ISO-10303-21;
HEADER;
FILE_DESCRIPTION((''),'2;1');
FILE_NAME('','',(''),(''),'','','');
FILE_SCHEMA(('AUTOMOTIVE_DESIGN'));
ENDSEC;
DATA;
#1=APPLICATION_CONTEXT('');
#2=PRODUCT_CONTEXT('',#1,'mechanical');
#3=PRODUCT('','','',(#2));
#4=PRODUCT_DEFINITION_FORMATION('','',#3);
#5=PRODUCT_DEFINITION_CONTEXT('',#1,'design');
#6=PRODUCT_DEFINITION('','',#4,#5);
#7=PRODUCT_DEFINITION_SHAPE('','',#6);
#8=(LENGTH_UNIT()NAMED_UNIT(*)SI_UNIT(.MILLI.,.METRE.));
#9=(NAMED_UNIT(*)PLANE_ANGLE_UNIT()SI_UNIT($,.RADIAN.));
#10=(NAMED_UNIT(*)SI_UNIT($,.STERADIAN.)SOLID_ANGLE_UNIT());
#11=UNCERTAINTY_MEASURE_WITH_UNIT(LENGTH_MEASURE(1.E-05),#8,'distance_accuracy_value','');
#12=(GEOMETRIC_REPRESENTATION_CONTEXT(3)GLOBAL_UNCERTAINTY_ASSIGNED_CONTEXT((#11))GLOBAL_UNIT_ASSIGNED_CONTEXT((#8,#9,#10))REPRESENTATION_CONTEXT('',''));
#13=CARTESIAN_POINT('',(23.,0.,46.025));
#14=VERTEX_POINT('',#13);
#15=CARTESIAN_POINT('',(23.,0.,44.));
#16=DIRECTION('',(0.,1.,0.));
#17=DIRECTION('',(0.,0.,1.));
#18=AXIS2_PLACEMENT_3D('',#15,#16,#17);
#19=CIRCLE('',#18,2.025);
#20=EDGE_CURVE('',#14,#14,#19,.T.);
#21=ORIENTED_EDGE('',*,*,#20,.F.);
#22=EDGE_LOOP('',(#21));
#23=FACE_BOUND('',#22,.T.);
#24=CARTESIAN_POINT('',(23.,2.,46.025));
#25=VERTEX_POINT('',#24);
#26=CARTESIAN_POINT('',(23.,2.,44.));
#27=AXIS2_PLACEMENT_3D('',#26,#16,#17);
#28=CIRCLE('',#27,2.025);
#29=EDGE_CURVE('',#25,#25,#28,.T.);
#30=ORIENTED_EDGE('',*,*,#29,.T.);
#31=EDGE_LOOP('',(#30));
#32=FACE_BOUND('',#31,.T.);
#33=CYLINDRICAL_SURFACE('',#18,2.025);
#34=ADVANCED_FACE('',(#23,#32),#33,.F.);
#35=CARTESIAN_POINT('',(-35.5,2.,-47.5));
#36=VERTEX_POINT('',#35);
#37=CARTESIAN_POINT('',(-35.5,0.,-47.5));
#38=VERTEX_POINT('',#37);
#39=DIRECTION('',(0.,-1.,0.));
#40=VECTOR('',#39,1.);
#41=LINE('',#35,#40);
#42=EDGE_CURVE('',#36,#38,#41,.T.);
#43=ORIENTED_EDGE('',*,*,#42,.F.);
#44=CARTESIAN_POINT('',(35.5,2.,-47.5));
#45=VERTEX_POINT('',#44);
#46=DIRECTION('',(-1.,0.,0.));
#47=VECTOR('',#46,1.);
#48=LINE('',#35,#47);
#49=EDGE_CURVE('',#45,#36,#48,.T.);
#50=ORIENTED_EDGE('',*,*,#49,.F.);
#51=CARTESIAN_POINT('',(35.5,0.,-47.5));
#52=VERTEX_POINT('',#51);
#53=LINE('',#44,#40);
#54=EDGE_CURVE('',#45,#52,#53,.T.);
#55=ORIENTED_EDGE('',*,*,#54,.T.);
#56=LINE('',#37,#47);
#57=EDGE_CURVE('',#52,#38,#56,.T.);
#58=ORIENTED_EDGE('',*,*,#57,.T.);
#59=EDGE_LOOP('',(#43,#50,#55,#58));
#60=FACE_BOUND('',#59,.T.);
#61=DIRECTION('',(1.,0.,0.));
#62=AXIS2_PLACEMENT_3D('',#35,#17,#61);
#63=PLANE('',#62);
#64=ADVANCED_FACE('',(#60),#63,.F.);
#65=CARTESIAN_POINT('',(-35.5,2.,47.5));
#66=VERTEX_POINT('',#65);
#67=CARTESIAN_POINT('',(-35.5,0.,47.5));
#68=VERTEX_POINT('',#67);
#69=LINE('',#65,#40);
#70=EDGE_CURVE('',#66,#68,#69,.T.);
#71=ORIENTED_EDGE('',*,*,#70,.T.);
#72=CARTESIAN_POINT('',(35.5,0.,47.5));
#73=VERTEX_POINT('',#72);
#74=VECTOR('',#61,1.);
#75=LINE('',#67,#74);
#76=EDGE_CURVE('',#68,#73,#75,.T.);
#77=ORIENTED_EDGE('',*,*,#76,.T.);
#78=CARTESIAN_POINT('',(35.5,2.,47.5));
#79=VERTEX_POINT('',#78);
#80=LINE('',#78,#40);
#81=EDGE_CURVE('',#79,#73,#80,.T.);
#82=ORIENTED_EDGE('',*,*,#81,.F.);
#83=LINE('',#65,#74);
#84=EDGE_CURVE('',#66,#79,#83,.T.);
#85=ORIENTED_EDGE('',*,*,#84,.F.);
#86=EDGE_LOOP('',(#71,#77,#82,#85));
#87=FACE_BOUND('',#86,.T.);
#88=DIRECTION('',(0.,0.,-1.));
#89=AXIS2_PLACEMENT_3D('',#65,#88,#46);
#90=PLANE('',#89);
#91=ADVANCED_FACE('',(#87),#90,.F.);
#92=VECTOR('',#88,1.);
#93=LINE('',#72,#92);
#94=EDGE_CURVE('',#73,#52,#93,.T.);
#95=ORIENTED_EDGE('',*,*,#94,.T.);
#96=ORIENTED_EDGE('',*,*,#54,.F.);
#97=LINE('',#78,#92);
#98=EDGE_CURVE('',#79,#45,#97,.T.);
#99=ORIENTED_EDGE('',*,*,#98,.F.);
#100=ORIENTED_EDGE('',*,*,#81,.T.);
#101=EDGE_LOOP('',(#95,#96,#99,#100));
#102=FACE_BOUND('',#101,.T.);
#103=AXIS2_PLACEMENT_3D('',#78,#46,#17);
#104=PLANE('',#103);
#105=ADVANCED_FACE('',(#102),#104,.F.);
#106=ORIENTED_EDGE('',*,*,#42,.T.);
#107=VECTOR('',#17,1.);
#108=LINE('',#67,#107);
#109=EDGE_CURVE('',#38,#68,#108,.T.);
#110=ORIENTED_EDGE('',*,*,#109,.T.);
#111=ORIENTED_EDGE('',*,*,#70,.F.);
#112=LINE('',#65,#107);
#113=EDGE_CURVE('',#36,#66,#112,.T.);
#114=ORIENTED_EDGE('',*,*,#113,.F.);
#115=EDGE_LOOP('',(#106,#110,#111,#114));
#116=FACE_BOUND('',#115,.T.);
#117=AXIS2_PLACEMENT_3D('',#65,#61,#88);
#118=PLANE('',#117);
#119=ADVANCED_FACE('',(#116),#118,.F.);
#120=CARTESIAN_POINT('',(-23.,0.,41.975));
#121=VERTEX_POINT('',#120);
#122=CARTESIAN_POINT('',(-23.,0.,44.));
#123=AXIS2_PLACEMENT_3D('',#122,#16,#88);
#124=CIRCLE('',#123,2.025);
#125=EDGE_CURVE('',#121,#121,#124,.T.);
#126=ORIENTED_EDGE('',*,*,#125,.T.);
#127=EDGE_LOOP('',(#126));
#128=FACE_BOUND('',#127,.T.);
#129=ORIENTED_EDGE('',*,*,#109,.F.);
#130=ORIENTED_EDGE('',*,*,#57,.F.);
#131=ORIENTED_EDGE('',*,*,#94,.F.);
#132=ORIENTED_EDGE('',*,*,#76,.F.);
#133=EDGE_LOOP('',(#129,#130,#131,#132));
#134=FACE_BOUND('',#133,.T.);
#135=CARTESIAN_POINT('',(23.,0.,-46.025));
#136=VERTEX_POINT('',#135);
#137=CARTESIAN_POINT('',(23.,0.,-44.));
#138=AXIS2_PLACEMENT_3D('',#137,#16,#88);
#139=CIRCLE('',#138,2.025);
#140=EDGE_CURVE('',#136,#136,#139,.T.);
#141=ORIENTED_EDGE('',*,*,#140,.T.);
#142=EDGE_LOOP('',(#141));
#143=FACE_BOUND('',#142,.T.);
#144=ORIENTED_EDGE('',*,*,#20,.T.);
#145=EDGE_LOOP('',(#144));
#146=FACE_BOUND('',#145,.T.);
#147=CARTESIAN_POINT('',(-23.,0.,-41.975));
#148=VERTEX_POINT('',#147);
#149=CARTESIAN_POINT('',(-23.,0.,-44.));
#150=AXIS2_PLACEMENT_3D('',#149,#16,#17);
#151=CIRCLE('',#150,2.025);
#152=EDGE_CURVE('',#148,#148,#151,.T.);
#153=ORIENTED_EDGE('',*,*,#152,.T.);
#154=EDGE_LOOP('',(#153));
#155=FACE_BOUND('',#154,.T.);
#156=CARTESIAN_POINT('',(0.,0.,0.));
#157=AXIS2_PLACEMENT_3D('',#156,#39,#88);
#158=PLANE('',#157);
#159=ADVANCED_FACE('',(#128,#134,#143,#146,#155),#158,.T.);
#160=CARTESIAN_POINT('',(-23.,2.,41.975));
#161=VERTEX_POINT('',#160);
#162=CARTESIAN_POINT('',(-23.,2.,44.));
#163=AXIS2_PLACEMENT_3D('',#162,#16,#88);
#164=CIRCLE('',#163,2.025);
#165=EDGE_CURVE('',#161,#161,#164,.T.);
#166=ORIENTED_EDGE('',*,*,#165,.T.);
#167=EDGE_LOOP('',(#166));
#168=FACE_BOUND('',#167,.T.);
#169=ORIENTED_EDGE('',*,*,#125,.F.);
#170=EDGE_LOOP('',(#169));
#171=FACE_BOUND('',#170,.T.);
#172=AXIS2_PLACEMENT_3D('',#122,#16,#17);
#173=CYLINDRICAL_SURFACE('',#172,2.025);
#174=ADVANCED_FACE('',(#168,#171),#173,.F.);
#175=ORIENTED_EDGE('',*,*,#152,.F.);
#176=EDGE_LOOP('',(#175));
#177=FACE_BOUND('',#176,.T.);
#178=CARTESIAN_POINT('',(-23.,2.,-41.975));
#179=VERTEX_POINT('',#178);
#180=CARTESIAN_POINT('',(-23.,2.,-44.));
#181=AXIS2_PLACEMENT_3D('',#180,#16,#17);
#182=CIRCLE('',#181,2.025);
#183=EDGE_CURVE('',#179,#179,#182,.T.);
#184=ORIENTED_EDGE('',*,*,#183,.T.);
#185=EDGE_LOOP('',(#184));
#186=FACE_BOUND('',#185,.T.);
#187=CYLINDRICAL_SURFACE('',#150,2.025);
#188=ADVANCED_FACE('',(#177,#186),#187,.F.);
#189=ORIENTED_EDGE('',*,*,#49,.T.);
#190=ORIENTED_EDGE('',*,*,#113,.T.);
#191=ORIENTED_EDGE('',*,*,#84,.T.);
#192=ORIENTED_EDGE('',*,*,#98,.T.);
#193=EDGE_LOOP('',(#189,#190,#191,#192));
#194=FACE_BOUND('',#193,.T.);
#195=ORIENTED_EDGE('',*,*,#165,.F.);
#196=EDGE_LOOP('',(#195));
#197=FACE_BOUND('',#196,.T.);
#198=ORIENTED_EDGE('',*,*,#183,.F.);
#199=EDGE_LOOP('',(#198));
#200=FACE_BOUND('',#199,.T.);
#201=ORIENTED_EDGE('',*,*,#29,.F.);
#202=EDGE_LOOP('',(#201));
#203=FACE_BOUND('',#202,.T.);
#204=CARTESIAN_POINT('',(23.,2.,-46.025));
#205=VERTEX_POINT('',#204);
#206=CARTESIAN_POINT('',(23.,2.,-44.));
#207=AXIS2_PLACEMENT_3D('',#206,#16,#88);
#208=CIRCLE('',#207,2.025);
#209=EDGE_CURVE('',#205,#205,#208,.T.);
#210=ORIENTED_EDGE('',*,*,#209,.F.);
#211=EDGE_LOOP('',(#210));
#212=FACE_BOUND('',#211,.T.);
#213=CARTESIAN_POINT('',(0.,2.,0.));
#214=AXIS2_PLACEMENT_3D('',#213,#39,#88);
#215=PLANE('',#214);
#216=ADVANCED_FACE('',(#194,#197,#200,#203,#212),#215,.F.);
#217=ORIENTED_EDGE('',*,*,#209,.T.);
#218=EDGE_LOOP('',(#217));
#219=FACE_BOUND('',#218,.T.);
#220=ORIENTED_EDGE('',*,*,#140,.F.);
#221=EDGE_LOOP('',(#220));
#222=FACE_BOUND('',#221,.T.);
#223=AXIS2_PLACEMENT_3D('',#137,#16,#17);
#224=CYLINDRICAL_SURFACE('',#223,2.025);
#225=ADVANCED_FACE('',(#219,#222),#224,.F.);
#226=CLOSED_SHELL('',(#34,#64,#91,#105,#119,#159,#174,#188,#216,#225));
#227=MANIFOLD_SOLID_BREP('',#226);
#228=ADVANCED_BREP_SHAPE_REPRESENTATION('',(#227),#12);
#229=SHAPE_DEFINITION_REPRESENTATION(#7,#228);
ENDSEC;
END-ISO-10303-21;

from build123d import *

# Parameters (mm, degrees)
SKETCH1_W           = 71
SKETCH1_H           = 95
BOSS_EXTRUDE1_DEPTH = 2
SKETCH2_R           = 2.025
CUT_EXTRUDE1_DEPTH  = 60.333801496


with BuildPart() as part:
    # Sketch1 → Boss-Extrude1 (new body)
    with BuildSketch(Plane(origin=(0, 0, 0), x_dir=(1, 0, 0), z_dir=(0, 1, 0))):
        Rectangle(SKETCH1_W, SKETCH1_H)
    extrude(amount=BOSS_EXTRUDE1_DEPTH)

    # Sketch2 → Cut-Extrude1 (cut, through all)
    with BuildSketch(Plane(origin=(0, 2, 0), x_dir=(1, 0, 0), z_dir=(0, 1, 0))):
        with Locations(Location((-23, 44, 0), (0, 0, 270))):
            Circle(SKETCH2_R)
        with Locations(Location((23, 44, 0), (0, 0, 90))):
            Circle(SKETCH2_R)
        with Locations(Location((-23, -44, 0), (0, 0, 90))):
            Circle(SKETCH2_R)
        with Locations(Location((23, -44, 0), (0, 0, 270))):
            Circle(SKETCH2_R)
    extrude(amount=-CUT_EXTRUDE1_DEPTH, mode=Mode.SUBTRACT)


solid = part.part
